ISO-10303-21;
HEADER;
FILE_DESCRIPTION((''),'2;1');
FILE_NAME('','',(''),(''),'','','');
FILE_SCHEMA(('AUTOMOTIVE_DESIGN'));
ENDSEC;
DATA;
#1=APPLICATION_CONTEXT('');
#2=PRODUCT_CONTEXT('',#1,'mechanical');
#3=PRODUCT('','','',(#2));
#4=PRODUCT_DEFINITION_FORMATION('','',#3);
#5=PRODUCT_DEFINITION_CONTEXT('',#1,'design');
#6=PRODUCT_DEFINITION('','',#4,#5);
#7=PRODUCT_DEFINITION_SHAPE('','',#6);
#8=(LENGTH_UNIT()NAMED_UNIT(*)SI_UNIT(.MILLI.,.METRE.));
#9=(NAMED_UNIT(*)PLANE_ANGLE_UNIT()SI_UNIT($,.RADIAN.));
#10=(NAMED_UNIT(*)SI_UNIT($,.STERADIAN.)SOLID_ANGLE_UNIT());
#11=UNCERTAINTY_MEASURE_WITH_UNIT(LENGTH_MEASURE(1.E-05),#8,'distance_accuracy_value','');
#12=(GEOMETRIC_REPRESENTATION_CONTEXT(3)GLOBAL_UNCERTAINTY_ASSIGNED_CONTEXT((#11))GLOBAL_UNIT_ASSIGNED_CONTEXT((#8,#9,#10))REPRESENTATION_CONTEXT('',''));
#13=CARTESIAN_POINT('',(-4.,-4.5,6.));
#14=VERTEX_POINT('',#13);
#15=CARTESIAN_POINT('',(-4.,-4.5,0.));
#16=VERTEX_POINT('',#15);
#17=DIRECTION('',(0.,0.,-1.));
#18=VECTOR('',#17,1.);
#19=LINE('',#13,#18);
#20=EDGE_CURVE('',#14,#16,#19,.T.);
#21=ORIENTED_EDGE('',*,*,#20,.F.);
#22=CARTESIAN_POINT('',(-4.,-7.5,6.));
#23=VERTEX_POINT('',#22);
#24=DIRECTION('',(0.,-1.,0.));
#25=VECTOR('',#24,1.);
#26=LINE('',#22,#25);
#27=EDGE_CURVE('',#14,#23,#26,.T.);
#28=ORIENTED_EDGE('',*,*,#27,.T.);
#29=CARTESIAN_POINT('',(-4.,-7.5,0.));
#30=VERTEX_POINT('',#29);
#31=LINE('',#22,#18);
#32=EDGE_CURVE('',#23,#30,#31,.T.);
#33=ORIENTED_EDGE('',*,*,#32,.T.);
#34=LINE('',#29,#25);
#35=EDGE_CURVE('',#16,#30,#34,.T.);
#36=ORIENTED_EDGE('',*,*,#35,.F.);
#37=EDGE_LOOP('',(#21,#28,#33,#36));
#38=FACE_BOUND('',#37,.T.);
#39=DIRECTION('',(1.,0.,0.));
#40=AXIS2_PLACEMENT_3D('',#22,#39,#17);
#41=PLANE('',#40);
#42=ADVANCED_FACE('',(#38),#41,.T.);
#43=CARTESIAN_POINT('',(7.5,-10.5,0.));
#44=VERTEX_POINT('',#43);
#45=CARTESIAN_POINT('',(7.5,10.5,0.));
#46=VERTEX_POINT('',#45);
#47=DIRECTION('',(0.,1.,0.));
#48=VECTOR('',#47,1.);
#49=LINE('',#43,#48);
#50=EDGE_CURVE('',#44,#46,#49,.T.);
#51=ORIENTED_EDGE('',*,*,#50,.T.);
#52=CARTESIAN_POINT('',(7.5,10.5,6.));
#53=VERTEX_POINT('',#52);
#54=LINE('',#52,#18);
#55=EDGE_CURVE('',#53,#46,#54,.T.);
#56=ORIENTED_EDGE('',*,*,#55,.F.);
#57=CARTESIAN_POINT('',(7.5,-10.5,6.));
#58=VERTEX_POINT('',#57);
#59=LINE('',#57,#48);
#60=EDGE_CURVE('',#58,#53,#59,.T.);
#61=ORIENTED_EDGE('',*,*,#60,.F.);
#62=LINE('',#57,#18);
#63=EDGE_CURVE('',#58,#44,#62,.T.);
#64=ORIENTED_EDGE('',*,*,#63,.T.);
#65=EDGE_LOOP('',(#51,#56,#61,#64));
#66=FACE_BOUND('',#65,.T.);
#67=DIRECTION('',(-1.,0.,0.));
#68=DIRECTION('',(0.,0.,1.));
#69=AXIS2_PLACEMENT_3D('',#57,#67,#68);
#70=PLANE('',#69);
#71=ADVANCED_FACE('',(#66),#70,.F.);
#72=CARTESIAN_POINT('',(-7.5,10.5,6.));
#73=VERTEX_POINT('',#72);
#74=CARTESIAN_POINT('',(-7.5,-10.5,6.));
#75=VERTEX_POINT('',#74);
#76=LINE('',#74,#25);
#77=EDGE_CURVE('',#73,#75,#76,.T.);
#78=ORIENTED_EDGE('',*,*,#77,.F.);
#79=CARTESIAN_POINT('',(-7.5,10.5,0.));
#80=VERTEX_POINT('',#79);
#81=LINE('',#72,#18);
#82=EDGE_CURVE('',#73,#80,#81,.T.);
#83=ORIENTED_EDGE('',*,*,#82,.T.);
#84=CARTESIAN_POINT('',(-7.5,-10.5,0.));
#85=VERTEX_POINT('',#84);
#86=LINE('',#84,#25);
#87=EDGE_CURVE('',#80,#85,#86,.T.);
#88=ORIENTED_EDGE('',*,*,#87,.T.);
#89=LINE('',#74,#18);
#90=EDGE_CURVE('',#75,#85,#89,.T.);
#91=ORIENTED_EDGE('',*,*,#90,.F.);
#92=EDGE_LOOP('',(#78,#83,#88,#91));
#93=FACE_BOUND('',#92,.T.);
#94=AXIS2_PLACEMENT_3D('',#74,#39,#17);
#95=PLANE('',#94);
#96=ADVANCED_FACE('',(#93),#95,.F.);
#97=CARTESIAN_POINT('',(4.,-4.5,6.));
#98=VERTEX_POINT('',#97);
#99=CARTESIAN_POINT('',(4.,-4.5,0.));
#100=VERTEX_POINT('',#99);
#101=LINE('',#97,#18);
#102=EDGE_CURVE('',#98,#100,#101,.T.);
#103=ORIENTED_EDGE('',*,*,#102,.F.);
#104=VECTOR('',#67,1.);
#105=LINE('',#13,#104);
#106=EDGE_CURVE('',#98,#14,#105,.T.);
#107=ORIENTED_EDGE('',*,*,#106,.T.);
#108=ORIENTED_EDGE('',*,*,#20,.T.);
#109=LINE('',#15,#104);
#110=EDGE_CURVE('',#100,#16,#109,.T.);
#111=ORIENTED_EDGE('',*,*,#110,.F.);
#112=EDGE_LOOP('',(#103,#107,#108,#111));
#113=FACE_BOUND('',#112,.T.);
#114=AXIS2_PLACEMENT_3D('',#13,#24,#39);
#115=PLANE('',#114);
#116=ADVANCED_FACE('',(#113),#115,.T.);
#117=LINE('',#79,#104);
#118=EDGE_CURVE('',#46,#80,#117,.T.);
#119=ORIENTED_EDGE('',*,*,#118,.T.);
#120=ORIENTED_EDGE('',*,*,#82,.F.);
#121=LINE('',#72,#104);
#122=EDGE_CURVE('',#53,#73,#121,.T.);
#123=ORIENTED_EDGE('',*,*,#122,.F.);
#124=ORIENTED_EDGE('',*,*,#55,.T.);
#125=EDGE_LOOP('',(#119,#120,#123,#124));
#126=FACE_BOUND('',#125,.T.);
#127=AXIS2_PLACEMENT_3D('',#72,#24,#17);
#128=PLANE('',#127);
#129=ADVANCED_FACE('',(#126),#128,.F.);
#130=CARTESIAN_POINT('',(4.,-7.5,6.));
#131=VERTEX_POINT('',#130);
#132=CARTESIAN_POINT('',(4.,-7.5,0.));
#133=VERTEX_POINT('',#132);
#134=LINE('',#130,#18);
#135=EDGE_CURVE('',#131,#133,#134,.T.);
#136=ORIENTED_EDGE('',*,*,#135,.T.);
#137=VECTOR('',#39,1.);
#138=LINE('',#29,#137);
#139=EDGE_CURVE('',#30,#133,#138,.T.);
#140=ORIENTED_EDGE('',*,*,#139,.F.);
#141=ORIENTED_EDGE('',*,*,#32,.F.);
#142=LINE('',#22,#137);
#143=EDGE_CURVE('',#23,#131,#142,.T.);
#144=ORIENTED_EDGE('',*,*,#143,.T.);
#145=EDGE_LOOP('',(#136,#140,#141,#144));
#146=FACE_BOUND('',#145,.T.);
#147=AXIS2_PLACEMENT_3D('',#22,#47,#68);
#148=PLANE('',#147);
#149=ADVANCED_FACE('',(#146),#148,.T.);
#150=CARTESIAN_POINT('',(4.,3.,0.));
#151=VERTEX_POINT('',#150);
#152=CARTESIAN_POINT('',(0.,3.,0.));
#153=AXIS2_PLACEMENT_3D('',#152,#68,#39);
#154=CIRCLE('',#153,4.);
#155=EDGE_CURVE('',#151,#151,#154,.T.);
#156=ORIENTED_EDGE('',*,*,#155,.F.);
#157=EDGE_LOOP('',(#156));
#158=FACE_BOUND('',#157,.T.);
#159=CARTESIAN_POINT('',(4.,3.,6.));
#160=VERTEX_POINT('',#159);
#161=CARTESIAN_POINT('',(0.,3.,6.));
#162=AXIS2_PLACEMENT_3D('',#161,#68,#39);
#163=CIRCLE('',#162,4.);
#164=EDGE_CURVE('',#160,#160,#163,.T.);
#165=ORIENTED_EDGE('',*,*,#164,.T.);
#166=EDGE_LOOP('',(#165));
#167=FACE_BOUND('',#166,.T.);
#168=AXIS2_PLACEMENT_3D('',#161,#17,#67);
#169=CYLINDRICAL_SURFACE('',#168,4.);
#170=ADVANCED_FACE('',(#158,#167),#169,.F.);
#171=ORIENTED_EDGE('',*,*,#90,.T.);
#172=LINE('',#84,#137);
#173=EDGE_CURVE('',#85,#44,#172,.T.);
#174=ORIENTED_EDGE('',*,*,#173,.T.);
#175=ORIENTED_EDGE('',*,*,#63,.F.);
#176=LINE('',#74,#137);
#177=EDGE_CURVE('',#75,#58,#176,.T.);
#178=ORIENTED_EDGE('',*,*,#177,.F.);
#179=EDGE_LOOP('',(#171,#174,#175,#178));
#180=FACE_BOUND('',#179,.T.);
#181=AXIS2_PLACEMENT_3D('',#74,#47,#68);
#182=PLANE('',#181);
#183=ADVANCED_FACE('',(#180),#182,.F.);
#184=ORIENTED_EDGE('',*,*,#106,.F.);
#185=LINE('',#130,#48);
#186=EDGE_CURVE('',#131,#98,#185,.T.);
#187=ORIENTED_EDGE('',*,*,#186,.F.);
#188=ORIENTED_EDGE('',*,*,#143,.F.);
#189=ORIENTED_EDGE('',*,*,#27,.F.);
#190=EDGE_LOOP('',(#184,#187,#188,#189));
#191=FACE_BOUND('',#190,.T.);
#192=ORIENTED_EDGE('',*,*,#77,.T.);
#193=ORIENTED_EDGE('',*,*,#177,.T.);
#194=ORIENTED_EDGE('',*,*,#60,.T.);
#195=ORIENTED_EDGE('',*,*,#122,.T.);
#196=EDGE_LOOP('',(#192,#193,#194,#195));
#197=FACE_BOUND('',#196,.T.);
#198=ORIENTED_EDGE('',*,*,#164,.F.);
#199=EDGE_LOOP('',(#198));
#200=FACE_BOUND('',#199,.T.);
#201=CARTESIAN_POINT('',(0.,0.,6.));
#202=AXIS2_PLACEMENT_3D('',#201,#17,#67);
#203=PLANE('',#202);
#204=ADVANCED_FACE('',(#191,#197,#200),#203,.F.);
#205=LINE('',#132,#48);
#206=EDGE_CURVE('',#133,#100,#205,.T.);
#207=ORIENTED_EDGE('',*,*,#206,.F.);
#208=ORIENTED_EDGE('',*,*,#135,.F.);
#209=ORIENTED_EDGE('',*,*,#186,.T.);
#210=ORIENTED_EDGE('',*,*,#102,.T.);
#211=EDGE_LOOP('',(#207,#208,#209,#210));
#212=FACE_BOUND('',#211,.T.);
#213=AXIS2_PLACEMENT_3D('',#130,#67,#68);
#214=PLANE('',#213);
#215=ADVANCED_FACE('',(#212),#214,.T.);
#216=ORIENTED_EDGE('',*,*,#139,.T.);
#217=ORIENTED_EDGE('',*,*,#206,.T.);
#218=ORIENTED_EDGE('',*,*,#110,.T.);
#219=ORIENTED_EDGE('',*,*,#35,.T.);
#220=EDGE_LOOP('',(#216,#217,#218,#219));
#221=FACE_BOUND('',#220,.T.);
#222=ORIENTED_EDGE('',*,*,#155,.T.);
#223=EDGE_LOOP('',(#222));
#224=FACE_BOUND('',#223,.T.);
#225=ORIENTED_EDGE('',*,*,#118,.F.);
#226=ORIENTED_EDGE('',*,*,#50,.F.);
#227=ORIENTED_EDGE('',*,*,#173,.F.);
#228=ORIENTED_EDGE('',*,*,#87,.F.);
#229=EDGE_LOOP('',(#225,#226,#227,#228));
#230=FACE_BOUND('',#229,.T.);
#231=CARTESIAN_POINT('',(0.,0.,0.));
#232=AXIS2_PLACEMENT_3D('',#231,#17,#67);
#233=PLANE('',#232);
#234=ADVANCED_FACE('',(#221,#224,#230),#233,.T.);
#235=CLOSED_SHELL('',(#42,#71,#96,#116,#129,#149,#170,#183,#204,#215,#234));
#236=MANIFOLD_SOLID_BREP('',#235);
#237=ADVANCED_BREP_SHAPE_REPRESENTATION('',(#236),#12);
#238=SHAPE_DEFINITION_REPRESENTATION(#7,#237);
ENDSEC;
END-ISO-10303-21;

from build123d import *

# Parameters (mm, degrees)
SKETCH1_W           = 15
SKETCH1_H           = 21
SKETCH1_R           = 4
SKETCH1_W_2         = 8
SKETCH1_H_2         = 3
BOSS_EXTRUDE1_DEPTH = 6


with BuildPart() as part:
    # Sketch1 → Boss-Extrude1 (new body)
    with BuildSketch(Plane.XY):
        Rectangle(SKETCH1_W, SKETCH1_H)
        with Locations((0, 3)):
            Circle(SKETCH1_R, mode=Mode.SUBTRACT)
        with Locations((0, -6)):
            Rectangle(SKETCH1_W_2, SKETCH1_H_2, mode=Mode.SUBTRACT)
    extrude(amount=BOSS_EXTRUDE1_DEPTH)


solid = part.part
